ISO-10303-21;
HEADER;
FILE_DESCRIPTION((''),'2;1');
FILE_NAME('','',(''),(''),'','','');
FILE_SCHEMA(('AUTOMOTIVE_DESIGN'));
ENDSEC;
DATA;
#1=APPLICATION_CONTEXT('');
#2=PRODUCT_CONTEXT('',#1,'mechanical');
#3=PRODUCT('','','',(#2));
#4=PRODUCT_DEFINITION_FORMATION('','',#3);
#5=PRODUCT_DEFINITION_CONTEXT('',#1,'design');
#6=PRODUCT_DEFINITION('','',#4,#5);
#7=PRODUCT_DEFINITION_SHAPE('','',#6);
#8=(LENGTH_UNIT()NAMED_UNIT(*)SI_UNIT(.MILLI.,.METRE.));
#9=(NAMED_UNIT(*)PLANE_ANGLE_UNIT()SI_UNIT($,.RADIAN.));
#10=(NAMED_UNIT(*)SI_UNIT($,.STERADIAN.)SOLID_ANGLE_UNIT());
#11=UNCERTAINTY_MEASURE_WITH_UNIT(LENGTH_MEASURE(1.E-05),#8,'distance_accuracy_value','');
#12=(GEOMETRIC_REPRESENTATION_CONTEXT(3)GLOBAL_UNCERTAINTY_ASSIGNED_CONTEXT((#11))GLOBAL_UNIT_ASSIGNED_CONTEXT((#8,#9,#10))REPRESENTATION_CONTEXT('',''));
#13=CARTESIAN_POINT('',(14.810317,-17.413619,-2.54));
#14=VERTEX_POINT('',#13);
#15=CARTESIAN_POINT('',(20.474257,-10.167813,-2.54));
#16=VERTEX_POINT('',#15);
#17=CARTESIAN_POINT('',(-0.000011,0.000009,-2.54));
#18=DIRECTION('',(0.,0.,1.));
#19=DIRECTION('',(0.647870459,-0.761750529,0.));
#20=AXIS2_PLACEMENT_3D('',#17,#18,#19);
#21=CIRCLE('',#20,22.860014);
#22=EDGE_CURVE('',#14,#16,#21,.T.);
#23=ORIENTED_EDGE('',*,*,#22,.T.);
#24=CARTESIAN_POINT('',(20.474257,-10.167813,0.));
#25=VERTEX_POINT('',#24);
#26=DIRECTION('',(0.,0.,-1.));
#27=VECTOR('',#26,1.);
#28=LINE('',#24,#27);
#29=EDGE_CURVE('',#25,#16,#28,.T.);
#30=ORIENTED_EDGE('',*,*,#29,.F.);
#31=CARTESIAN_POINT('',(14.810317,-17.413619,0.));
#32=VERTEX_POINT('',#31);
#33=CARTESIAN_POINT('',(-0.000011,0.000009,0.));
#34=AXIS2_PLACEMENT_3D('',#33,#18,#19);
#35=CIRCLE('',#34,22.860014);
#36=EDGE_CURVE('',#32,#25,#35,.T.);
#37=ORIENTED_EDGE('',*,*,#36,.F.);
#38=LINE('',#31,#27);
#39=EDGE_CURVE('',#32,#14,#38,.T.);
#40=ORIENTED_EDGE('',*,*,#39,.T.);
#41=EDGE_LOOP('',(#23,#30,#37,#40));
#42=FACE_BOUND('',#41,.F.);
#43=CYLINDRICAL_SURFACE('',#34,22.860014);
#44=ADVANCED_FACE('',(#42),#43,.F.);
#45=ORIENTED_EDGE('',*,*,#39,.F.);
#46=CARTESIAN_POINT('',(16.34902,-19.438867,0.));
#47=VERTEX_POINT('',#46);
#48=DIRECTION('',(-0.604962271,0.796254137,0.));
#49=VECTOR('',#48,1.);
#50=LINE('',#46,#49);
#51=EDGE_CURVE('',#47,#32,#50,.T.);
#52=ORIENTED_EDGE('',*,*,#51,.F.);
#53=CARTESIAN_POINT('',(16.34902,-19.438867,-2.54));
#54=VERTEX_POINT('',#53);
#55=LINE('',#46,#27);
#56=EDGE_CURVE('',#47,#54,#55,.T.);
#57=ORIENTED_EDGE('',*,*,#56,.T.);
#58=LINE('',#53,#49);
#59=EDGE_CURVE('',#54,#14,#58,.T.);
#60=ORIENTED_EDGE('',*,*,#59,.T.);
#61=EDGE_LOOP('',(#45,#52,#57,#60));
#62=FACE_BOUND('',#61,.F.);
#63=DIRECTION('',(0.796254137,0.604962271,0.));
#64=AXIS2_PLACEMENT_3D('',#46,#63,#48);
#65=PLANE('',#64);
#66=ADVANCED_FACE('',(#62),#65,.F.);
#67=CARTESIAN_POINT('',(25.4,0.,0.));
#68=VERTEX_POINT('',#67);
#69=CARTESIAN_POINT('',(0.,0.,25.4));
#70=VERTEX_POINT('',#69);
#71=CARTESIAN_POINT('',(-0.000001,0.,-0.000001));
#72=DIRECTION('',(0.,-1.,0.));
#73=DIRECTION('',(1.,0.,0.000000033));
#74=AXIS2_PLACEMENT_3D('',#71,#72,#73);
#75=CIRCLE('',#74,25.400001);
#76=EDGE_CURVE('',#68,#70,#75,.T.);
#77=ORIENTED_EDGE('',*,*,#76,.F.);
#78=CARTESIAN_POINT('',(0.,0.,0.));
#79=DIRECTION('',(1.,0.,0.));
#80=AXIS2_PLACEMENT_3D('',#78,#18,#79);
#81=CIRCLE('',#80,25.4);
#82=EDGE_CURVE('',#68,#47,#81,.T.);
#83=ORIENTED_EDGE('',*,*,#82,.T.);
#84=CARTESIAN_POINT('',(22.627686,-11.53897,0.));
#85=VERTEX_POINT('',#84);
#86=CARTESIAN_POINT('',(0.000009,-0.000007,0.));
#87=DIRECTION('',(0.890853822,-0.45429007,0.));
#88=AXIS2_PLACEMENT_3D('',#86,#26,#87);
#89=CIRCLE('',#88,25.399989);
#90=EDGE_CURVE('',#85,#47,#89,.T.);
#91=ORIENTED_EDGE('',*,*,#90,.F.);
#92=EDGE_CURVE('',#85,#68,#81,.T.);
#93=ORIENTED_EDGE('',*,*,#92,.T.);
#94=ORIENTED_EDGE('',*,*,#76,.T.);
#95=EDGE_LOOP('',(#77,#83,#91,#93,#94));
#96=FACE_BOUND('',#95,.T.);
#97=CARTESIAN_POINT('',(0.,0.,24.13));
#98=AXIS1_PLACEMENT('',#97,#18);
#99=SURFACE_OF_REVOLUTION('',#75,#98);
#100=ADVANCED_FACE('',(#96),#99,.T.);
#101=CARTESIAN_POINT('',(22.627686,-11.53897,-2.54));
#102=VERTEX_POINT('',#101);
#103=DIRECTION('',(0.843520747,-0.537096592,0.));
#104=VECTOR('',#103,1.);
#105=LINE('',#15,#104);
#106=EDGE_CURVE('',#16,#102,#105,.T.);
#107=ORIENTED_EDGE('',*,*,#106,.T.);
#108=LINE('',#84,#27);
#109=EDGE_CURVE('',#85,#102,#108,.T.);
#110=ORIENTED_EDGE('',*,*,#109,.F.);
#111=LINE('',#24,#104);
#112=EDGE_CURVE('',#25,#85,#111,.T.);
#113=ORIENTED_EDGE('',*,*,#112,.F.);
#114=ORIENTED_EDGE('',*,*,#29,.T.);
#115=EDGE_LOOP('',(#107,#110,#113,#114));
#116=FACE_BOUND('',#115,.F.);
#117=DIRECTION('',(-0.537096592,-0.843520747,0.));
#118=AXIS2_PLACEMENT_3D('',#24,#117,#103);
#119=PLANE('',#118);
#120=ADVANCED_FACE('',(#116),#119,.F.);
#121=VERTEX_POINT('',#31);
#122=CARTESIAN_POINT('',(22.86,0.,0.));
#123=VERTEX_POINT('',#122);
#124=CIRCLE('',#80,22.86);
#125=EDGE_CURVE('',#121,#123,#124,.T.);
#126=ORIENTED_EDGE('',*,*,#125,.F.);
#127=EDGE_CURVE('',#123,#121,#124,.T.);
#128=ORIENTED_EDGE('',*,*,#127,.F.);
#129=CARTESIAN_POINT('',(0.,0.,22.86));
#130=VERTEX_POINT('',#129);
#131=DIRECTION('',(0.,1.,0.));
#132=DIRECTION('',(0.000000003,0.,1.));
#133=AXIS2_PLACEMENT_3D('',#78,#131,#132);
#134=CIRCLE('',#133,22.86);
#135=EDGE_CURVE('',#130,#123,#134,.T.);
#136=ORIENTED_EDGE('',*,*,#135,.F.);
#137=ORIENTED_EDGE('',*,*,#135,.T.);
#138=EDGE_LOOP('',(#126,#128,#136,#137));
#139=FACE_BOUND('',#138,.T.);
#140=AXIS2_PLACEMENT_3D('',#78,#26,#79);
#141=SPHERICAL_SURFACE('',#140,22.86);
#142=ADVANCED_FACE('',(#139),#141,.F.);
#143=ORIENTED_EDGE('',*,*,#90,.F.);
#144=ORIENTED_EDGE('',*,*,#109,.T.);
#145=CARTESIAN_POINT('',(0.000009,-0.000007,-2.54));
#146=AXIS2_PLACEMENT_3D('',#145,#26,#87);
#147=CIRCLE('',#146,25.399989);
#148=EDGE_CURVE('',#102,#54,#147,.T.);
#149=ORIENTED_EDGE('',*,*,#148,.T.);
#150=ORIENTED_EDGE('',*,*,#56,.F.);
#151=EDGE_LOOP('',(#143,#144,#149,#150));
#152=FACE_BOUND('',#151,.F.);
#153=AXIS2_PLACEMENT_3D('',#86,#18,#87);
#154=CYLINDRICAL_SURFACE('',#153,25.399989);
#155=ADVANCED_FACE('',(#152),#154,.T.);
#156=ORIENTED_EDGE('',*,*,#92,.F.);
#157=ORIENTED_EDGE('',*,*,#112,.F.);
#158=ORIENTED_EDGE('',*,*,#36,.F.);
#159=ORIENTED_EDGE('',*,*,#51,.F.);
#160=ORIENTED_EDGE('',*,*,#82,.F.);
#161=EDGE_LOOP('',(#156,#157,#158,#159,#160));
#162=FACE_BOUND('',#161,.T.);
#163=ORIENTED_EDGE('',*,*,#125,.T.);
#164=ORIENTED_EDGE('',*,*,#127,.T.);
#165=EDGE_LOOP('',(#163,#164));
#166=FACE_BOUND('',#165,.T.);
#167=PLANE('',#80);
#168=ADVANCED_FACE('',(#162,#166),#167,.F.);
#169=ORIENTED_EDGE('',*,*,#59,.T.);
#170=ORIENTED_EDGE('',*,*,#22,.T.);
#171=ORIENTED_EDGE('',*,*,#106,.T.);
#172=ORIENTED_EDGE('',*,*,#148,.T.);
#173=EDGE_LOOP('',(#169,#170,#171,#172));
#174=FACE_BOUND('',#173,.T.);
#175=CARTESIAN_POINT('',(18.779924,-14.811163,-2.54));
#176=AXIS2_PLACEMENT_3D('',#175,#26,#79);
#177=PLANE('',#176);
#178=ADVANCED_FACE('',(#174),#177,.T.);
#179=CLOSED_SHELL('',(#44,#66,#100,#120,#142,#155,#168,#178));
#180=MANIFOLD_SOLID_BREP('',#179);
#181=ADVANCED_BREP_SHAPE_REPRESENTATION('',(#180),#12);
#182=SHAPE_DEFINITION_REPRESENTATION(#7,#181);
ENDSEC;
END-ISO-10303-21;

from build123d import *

# Parameters (mm, degrees)
F3_DEPTH = 2.54


with BuildPart() as f1:
    # F0 (on Front) → F1 (revolve)
    with BuildSketch(Plane.XZ):
        with BuildLine():
            Line((22.86, 0), (25.4, 0))
            ThreePointArc((25.4, 0), (17.960512, 17.960512), (0, 25.4))
            Line((0, 25.4), (0, 22.86))
            ThreePointArc((0, 22.86), (16.164461, 16.164461), (22.86, 0))
        make_face()
    revolve(axis=Axis((0, 0, 24.13), (0, 0, 1)))

    # F2 (on face) → F3 (join)
    with BuildSketch(Plane(origin=(0, 0, 0), x_dir=(1, 0, 0), z_dir=(0, 0, -1))):
        with BuildLine():
            Line((16.34902, 19.438867), (14.810317, 17.413619))
            ThreePointArc((14.810317, 17.413619), (18.010433, 14.078491), (20.474257, 10.167813))
            Line((20.474257, 10.167813), (22.627686, 11.53897))
            ThreePointArc((22.627686, 11.53897), (19.884617, 15.803861), (16.34902, 19.438867))
        make_face()
    extrude(amount=F3_DEPTH)


solid = f1.part
